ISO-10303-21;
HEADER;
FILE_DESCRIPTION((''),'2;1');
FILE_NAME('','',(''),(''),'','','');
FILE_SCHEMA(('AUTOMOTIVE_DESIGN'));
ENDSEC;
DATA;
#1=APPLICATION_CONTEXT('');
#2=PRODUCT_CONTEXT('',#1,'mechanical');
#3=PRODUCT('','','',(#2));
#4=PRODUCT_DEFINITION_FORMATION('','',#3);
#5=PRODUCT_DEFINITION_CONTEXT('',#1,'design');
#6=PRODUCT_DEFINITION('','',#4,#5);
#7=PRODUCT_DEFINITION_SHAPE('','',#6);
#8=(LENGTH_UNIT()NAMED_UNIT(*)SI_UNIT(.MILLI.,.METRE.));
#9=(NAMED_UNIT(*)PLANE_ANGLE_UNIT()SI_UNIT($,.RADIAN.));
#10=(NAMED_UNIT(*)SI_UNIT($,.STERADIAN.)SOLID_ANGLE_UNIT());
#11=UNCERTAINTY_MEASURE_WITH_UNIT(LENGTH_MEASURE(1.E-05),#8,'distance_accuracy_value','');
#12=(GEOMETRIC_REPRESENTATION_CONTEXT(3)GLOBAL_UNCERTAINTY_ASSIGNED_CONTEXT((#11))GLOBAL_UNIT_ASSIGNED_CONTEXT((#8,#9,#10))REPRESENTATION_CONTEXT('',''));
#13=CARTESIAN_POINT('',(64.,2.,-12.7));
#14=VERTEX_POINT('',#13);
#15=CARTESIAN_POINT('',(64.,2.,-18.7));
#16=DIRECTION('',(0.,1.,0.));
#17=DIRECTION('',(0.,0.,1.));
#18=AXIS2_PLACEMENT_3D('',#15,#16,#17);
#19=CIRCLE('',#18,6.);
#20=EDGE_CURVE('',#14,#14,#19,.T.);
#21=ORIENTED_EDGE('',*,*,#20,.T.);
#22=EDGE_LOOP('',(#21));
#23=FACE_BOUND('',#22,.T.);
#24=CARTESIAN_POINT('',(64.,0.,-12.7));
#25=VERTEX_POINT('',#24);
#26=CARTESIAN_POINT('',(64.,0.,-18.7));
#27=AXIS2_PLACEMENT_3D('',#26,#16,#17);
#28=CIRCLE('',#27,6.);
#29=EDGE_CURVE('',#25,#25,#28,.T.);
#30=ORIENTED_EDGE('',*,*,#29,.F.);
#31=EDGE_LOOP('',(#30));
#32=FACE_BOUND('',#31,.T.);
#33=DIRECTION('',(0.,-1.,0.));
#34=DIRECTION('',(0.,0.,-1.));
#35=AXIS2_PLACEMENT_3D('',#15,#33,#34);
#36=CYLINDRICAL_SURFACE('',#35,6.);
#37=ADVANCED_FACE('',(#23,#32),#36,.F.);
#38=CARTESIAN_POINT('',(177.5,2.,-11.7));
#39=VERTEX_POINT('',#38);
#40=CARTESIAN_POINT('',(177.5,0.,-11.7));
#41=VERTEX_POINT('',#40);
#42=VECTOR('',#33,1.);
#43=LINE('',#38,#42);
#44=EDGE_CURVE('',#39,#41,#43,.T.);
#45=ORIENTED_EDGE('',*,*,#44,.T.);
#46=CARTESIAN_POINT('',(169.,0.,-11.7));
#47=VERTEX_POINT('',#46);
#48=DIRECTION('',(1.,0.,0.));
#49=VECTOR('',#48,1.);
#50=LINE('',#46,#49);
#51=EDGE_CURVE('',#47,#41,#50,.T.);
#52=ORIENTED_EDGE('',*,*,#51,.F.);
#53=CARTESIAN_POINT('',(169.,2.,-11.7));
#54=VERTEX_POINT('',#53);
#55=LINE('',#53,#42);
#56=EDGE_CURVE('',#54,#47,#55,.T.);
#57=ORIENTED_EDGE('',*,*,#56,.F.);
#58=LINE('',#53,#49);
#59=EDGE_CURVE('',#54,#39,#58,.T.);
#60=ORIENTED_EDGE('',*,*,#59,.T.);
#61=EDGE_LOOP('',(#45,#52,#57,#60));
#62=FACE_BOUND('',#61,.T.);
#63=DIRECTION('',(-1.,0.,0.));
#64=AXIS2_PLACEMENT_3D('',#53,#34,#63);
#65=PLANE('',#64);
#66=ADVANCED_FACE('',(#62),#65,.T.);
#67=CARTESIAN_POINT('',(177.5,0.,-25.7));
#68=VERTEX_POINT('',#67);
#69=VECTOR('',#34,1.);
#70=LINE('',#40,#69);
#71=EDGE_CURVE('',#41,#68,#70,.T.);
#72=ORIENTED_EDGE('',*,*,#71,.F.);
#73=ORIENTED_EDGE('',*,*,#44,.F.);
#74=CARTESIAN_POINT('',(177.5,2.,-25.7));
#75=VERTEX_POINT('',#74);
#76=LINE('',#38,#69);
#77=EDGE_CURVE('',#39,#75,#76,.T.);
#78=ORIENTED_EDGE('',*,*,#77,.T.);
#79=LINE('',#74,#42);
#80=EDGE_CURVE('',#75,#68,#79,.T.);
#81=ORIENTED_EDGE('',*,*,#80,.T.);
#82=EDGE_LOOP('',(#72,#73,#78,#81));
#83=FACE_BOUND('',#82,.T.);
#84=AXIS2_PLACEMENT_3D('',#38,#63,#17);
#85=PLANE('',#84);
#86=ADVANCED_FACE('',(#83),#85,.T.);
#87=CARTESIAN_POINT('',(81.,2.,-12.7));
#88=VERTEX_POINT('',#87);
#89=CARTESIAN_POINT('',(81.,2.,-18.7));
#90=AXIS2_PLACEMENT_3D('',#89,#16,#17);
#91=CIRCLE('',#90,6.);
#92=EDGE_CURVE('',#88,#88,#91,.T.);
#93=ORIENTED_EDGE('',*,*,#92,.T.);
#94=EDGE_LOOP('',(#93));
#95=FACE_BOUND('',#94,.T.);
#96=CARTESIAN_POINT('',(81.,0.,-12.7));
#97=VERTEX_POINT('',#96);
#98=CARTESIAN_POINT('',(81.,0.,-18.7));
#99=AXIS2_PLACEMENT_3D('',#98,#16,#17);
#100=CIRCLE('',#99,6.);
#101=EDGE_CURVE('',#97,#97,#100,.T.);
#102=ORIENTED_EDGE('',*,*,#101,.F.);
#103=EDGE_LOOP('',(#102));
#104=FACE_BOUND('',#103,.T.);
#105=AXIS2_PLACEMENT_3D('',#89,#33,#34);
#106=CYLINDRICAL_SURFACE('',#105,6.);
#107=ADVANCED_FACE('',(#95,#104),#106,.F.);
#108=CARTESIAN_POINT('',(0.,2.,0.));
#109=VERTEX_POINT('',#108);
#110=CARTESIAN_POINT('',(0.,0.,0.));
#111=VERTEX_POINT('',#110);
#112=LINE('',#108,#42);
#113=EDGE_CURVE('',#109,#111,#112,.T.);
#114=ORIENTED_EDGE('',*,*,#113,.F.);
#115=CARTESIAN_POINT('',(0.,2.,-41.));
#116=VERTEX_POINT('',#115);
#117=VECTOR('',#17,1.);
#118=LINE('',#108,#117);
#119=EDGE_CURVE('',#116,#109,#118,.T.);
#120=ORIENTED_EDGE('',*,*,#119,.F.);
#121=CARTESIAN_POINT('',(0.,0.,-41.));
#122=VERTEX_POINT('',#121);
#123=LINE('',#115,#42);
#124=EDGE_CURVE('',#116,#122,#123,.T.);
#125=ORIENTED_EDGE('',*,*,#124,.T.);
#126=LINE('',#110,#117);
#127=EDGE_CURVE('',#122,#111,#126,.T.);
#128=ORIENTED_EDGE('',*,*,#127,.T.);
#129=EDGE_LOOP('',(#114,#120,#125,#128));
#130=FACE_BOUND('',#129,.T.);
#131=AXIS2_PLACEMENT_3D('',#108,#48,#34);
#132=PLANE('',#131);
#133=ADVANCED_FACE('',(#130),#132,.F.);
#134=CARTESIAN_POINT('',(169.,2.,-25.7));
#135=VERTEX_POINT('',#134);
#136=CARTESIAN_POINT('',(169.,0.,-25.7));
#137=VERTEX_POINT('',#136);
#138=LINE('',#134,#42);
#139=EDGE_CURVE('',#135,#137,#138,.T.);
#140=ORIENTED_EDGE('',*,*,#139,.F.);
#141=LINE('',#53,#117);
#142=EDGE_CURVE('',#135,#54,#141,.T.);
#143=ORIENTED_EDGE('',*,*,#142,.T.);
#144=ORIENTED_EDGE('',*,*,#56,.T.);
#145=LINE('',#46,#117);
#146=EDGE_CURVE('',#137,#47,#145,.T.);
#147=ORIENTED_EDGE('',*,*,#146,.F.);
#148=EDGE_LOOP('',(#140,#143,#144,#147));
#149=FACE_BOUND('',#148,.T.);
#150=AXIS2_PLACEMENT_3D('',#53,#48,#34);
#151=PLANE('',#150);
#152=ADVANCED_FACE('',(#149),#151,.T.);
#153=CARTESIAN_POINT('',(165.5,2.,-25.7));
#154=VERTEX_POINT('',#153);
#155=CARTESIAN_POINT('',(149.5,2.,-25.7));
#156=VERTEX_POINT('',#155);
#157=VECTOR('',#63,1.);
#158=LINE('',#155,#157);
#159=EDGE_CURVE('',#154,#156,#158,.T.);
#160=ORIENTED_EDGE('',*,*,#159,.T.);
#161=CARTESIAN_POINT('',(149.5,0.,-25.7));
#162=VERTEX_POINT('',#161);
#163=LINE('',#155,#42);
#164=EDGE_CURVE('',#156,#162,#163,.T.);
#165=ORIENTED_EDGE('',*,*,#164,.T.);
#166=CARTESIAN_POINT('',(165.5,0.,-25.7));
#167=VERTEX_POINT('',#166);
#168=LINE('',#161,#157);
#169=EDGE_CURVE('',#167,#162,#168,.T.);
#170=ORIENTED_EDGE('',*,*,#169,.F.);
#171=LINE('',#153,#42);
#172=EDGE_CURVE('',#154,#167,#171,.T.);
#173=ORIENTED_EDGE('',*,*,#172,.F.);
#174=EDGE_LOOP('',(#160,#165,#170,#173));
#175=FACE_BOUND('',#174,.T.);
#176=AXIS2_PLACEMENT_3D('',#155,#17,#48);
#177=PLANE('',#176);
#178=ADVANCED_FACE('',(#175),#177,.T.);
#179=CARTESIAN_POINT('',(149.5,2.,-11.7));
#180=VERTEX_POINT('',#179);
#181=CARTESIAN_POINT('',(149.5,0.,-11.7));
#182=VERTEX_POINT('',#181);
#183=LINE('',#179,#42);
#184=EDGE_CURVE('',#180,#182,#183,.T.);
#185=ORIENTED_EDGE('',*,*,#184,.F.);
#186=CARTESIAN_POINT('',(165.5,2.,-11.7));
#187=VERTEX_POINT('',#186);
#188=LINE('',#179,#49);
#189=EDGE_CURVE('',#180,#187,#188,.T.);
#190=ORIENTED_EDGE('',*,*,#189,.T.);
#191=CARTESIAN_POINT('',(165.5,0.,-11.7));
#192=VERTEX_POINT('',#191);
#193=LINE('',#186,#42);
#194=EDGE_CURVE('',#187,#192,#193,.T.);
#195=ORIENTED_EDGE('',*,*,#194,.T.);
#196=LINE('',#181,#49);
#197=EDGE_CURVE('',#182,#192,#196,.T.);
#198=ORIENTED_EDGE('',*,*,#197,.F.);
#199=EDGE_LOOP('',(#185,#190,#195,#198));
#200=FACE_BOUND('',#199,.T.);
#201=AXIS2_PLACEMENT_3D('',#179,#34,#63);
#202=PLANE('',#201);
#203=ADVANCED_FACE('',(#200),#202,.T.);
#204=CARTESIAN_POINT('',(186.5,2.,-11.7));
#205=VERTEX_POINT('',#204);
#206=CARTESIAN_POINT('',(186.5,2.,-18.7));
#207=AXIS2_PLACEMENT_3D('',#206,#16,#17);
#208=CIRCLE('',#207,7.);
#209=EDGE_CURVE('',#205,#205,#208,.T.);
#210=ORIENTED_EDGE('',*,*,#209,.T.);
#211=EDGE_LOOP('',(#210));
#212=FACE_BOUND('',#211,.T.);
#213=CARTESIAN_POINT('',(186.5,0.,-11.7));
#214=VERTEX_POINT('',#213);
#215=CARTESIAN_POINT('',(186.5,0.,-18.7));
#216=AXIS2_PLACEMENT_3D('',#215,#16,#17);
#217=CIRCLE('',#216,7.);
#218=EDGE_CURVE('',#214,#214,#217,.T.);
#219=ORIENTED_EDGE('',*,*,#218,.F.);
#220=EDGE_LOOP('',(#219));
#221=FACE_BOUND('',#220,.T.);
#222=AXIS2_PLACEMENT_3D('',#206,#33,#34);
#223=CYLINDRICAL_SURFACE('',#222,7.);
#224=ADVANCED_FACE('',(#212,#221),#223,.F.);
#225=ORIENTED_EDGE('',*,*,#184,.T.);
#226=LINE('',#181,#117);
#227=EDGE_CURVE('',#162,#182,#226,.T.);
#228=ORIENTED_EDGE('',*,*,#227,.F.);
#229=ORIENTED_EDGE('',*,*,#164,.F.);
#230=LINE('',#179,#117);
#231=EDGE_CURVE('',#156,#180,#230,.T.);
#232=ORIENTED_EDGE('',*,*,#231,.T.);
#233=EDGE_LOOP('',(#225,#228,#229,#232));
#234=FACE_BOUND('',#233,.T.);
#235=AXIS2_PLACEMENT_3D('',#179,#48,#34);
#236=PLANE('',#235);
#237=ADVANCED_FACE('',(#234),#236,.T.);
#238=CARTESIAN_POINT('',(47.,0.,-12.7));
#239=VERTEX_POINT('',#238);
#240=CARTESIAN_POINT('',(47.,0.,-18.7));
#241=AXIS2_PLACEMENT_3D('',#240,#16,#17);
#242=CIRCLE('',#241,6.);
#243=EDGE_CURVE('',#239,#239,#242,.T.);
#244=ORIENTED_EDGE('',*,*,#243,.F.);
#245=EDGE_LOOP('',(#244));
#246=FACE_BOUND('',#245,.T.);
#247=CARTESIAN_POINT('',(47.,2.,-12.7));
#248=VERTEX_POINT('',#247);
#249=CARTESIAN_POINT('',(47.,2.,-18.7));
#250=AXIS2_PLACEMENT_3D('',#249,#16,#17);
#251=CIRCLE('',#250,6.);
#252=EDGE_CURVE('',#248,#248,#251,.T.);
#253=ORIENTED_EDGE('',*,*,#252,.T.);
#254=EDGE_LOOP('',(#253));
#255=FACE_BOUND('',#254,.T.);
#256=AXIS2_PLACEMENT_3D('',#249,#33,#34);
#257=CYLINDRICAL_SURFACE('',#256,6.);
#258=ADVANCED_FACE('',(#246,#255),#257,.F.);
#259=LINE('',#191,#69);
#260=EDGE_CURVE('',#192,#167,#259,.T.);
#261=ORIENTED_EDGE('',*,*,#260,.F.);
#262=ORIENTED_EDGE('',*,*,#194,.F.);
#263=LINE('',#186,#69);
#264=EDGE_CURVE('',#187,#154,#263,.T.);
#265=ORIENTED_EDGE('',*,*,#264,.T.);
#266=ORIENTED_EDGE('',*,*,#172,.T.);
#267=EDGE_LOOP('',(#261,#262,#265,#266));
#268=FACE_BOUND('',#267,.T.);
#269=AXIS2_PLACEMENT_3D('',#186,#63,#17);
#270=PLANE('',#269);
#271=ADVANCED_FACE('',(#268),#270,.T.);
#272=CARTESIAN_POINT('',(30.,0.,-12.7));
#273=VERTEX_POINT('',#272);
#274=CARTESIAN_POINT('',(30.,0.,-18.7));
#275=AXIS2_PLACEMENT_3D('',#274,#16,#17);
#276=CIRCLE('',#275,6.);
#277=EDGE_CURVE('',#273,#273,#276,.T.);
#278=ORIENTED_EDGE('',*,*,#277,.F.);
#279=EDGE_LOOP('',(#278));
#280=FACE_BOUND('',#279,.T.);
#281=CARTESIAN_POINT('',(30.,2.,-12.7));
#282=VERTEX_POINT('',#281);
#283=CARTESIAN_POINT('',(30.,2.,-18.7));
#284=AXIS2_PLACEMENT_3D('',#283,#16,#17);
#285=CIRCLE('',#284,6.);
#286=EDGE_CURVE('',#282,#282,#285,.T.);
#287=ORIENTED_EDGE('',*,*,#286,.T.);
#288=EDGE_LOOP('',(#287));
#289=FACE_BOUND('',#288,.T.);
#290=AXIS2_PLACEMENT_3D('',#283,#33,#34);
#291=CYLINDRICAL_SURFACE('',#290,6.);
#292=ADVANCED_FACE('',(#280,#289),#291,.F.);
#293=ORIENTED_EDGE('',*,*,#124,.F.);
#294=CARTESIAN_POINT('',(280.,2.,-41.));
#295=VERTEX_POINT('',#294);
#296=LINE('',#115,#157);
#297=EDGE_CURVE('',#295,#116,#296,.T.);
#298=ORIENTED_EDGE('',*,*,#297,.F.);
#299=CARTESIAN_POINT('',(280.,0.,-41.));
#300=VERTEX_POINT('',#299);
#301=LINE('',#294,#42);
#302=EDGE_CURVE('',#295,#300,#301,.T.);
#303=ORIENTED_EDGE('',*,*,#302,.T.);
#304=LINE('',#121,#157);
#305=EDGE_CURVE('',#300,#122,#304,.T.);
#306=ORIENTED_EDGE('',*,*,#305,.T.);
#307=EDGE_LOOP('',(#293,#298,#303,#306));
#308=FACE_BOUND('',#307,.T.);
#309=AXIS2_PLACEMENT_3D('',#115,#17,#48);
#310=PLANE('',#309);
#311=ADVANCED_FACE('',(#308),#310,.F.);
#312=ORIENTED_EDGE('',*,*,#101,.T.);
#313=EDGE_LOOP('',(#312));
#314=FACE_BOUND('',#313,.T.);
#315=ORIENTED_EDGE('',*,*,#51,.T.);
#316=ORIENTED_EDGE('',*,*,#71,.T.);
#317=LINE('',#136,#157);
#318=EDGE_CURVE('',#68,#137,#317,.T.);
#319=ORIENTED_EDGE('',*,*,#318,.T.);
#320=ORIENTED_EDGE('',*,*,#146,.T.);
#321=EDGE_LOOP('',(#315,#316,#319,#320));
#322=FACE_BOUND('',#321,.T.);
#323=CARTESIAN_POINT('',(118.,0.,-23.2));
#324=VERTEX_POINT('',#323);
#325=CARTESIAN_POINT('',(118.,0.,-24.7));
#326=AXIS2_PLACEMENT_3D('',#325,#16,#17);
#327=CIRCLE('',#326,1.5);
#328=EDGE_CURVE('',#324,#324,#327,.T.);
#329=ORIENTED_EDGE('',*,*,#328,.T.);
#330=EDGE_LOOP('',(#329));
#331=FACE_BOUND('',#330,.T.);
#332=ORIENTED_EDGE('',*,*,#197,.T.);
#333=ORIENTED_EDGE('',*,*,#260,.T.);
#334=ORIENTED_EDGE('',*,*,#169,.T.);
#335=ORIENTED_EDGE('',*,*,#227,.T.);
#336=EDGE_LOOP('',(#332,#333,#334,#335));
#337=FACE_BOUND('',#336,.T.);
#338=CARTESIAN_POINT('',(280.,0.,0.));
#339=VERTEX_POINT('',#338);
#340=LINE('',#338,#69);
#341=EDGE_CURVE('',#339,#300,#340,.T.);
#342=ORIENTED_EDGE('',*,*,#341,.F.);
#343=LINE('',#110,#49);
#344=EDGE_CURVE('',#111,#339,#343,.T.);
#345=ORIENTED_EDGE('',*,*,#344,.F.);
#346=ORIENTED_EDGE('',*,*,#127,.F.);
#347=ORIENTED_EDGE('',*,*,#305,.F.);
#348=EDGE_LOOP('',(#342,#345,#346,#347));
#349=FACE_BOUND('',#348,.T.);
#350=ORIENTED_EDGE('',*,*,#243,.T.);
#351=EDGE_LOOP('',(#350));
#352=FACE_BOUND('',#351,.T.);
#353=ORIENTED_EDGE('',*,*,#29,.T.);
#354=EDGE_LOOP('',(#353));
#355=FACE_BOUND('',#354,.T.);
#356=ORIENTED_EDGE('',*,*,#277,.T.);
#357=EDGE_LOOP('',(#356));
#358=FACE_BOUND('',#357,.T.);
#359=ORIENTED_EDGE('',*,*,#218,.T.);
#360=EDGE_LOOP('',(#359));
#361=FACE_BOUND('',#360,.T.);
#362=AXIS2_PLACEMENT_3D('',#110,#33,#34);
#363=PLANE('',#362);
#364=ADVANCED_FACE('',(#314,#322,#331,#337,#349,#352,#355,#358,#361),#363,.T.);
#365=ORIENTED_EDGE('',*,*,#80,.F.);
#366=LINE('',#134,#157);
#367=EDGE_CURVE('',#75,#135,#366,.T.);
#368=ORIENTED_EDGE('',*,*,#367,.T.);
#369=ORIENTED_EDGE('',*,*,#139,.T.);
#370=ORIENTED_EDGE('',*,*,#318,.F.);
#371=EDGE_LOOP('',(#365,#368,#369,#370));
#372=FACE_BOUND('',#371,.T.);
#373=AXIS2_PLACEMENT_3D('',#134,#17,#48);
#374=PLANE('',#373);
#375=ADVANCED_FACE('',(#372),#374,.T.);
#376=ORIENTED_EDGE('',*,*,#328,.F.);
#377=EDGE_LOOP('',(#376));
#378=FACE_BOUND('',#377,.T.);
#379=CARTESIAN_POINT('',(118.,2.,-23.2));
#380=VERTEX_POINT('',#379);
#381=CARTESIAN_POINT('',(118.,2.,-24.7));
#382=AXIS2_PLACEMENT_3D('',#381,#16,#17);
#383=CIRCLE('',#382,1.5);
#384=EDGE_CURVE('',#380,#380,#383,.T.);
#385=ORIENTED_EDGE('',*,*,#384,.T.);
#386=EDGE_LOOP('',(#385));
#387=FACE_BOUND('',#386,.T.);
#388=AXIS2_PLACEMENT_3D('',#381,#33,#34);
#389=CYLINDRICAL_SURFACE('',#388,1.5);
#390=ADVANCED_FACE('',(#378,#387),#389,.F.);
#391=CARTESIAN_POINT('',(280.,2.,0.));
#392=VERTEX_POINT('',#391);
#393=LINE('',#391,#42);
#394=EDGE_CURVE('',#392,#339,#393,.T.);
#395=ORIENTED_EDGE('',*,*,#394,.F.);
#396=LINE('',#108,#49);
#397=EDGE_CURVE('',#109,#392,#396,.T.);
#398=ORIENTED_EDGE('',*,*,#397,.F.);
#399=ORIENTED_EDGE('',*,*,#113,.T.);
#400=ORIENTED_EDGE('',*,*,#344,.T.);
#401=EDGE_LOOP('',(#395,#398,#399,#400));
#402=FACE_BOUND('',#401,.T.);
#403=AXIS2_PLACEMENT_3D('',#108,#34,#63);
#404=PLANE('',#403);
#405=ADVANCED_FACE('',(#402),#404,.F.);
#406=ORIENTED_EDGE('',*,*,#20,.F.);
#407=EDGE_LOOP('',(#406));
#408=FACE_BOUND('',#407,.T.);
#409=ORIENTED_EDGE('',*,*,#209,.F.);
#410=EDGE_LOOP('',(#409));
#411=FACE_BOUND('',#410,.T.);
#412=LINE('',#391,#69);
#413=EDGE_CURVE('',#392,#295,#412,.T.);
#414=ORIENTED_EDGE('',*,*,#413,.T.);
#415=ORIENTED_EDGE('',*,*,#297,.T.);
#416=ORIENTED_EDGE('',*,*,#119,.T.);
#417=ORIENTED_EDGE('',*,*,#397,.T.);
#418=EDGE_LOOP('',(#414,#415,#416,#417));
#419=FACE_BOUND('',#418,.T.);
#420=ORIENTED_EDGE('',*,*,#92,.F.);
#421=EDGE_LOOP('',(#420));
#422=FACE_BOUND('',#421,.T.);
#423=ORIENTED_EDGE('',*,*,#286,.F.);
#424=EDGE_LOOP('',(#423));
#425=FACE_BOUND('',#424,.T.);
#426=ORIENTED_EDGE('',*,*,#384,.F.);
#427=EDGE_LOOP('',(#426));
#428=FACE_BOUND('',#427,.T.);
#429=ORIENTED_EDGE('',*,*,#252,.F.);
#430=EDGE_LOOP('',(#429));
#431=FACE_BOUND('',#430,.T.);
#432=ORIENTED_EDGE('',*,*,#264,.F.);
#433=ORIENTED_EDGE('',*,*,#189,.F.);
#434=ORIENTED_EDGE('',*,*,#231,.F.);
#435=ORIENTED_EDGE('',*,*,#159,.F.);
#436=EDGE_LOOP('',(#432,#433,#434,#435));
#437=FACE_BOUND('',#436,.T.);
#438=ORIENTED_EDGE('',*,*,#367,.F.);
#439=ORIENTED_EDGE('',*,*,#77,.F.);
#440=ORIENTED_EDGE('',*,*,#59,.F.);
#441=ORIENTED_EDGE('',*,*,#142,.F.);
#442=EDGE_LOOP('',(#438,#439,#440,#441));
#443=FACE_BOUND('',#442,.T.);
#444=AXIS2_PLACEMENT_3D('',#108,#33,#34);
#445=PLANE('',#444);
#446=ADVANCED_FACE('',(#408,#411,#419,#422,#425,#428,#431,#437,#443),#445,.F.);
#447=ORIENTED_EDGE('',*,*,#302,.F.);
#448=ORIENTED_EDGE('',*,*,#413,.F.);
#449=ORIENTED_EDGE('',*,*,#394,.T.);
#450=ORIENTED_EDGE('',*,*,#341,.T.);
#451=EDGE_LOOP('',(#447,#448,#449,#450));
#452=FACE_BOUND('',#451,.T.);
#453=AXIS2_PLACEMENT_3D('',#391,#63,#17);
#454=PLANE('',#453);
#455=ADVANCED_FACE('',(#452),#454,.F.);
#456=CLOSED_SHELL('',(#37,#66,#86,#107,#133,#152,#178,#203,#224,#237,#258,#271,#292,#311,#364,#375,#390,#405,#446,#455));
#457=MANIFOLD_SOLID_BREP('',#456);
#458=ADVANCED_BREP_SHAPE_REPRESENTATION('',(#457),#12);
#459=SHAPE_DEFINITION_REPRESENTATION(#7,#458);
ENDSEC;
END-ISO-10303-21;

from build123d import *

# Parameters (mm, degrees)
SKETCH_1_W      = 280
SKETCH_1_H      = 41
SKETCH_1_R      = 6
SKETCH_1_R_2    = 7
SKETCH_1_R_3    = 1.5
SKETCH_1_W_2    = 16
SKETCH_1_H_2    = 14
SKETCH_1_W_3    = 8.5
EXTRUDE_1_DEPTH = 2


with BuildPart() as part:
    # 草图1 → 凸台-拉伸1 (new body)
    with BuildSketch(Plane(origin=(0, 0, 0), x_dir=(1, 0, 0), z_dir=(0, 1, 0))):
        with Locations((140, 20.5)):
            Rectangle(SKETCH_1_W, SKETCH_1_H)
        with Locations((30, 18.7)):
            Circle(SKETCH_1_R, mode=Mode.SUBTRACT)
        with Locations((47, 18.7)):
            Circle(SKETCH_1_R, mode=Mode.SUBTRACT)
        with Locations((64, 18.7)):
            Circle(SKETCH_1_R, mode=Mode.SUBTRACT)
        with Locations((81, 18.7)):
            Circle(SKETCH_1_R, mode=Mode.SUBTRACT)
        with Locations((186.5, 18.7)):
            Circle(SKETCH_1_R_2, mode=Mode.SUBTRACT)
        with Locations((118, 24.7)):
            Circle(SKETCH_1_R_3, mode=Mode.SUBTRACT)
        with Locations((157.5, 18.7)):
            Rectangle(SKETCH_1_W_2, SKETCH_1_H_2, mode=Mode.SUBTRACT)
        with Locations((173.25, 18.7)):
            Rectangle(SKETCH_1_W_3, SKETCH_1_H_2, mode=Mode.SUBTRACT)
    extrude(amount=EXTRUDE_1_DEPTH)


solid = part.part
